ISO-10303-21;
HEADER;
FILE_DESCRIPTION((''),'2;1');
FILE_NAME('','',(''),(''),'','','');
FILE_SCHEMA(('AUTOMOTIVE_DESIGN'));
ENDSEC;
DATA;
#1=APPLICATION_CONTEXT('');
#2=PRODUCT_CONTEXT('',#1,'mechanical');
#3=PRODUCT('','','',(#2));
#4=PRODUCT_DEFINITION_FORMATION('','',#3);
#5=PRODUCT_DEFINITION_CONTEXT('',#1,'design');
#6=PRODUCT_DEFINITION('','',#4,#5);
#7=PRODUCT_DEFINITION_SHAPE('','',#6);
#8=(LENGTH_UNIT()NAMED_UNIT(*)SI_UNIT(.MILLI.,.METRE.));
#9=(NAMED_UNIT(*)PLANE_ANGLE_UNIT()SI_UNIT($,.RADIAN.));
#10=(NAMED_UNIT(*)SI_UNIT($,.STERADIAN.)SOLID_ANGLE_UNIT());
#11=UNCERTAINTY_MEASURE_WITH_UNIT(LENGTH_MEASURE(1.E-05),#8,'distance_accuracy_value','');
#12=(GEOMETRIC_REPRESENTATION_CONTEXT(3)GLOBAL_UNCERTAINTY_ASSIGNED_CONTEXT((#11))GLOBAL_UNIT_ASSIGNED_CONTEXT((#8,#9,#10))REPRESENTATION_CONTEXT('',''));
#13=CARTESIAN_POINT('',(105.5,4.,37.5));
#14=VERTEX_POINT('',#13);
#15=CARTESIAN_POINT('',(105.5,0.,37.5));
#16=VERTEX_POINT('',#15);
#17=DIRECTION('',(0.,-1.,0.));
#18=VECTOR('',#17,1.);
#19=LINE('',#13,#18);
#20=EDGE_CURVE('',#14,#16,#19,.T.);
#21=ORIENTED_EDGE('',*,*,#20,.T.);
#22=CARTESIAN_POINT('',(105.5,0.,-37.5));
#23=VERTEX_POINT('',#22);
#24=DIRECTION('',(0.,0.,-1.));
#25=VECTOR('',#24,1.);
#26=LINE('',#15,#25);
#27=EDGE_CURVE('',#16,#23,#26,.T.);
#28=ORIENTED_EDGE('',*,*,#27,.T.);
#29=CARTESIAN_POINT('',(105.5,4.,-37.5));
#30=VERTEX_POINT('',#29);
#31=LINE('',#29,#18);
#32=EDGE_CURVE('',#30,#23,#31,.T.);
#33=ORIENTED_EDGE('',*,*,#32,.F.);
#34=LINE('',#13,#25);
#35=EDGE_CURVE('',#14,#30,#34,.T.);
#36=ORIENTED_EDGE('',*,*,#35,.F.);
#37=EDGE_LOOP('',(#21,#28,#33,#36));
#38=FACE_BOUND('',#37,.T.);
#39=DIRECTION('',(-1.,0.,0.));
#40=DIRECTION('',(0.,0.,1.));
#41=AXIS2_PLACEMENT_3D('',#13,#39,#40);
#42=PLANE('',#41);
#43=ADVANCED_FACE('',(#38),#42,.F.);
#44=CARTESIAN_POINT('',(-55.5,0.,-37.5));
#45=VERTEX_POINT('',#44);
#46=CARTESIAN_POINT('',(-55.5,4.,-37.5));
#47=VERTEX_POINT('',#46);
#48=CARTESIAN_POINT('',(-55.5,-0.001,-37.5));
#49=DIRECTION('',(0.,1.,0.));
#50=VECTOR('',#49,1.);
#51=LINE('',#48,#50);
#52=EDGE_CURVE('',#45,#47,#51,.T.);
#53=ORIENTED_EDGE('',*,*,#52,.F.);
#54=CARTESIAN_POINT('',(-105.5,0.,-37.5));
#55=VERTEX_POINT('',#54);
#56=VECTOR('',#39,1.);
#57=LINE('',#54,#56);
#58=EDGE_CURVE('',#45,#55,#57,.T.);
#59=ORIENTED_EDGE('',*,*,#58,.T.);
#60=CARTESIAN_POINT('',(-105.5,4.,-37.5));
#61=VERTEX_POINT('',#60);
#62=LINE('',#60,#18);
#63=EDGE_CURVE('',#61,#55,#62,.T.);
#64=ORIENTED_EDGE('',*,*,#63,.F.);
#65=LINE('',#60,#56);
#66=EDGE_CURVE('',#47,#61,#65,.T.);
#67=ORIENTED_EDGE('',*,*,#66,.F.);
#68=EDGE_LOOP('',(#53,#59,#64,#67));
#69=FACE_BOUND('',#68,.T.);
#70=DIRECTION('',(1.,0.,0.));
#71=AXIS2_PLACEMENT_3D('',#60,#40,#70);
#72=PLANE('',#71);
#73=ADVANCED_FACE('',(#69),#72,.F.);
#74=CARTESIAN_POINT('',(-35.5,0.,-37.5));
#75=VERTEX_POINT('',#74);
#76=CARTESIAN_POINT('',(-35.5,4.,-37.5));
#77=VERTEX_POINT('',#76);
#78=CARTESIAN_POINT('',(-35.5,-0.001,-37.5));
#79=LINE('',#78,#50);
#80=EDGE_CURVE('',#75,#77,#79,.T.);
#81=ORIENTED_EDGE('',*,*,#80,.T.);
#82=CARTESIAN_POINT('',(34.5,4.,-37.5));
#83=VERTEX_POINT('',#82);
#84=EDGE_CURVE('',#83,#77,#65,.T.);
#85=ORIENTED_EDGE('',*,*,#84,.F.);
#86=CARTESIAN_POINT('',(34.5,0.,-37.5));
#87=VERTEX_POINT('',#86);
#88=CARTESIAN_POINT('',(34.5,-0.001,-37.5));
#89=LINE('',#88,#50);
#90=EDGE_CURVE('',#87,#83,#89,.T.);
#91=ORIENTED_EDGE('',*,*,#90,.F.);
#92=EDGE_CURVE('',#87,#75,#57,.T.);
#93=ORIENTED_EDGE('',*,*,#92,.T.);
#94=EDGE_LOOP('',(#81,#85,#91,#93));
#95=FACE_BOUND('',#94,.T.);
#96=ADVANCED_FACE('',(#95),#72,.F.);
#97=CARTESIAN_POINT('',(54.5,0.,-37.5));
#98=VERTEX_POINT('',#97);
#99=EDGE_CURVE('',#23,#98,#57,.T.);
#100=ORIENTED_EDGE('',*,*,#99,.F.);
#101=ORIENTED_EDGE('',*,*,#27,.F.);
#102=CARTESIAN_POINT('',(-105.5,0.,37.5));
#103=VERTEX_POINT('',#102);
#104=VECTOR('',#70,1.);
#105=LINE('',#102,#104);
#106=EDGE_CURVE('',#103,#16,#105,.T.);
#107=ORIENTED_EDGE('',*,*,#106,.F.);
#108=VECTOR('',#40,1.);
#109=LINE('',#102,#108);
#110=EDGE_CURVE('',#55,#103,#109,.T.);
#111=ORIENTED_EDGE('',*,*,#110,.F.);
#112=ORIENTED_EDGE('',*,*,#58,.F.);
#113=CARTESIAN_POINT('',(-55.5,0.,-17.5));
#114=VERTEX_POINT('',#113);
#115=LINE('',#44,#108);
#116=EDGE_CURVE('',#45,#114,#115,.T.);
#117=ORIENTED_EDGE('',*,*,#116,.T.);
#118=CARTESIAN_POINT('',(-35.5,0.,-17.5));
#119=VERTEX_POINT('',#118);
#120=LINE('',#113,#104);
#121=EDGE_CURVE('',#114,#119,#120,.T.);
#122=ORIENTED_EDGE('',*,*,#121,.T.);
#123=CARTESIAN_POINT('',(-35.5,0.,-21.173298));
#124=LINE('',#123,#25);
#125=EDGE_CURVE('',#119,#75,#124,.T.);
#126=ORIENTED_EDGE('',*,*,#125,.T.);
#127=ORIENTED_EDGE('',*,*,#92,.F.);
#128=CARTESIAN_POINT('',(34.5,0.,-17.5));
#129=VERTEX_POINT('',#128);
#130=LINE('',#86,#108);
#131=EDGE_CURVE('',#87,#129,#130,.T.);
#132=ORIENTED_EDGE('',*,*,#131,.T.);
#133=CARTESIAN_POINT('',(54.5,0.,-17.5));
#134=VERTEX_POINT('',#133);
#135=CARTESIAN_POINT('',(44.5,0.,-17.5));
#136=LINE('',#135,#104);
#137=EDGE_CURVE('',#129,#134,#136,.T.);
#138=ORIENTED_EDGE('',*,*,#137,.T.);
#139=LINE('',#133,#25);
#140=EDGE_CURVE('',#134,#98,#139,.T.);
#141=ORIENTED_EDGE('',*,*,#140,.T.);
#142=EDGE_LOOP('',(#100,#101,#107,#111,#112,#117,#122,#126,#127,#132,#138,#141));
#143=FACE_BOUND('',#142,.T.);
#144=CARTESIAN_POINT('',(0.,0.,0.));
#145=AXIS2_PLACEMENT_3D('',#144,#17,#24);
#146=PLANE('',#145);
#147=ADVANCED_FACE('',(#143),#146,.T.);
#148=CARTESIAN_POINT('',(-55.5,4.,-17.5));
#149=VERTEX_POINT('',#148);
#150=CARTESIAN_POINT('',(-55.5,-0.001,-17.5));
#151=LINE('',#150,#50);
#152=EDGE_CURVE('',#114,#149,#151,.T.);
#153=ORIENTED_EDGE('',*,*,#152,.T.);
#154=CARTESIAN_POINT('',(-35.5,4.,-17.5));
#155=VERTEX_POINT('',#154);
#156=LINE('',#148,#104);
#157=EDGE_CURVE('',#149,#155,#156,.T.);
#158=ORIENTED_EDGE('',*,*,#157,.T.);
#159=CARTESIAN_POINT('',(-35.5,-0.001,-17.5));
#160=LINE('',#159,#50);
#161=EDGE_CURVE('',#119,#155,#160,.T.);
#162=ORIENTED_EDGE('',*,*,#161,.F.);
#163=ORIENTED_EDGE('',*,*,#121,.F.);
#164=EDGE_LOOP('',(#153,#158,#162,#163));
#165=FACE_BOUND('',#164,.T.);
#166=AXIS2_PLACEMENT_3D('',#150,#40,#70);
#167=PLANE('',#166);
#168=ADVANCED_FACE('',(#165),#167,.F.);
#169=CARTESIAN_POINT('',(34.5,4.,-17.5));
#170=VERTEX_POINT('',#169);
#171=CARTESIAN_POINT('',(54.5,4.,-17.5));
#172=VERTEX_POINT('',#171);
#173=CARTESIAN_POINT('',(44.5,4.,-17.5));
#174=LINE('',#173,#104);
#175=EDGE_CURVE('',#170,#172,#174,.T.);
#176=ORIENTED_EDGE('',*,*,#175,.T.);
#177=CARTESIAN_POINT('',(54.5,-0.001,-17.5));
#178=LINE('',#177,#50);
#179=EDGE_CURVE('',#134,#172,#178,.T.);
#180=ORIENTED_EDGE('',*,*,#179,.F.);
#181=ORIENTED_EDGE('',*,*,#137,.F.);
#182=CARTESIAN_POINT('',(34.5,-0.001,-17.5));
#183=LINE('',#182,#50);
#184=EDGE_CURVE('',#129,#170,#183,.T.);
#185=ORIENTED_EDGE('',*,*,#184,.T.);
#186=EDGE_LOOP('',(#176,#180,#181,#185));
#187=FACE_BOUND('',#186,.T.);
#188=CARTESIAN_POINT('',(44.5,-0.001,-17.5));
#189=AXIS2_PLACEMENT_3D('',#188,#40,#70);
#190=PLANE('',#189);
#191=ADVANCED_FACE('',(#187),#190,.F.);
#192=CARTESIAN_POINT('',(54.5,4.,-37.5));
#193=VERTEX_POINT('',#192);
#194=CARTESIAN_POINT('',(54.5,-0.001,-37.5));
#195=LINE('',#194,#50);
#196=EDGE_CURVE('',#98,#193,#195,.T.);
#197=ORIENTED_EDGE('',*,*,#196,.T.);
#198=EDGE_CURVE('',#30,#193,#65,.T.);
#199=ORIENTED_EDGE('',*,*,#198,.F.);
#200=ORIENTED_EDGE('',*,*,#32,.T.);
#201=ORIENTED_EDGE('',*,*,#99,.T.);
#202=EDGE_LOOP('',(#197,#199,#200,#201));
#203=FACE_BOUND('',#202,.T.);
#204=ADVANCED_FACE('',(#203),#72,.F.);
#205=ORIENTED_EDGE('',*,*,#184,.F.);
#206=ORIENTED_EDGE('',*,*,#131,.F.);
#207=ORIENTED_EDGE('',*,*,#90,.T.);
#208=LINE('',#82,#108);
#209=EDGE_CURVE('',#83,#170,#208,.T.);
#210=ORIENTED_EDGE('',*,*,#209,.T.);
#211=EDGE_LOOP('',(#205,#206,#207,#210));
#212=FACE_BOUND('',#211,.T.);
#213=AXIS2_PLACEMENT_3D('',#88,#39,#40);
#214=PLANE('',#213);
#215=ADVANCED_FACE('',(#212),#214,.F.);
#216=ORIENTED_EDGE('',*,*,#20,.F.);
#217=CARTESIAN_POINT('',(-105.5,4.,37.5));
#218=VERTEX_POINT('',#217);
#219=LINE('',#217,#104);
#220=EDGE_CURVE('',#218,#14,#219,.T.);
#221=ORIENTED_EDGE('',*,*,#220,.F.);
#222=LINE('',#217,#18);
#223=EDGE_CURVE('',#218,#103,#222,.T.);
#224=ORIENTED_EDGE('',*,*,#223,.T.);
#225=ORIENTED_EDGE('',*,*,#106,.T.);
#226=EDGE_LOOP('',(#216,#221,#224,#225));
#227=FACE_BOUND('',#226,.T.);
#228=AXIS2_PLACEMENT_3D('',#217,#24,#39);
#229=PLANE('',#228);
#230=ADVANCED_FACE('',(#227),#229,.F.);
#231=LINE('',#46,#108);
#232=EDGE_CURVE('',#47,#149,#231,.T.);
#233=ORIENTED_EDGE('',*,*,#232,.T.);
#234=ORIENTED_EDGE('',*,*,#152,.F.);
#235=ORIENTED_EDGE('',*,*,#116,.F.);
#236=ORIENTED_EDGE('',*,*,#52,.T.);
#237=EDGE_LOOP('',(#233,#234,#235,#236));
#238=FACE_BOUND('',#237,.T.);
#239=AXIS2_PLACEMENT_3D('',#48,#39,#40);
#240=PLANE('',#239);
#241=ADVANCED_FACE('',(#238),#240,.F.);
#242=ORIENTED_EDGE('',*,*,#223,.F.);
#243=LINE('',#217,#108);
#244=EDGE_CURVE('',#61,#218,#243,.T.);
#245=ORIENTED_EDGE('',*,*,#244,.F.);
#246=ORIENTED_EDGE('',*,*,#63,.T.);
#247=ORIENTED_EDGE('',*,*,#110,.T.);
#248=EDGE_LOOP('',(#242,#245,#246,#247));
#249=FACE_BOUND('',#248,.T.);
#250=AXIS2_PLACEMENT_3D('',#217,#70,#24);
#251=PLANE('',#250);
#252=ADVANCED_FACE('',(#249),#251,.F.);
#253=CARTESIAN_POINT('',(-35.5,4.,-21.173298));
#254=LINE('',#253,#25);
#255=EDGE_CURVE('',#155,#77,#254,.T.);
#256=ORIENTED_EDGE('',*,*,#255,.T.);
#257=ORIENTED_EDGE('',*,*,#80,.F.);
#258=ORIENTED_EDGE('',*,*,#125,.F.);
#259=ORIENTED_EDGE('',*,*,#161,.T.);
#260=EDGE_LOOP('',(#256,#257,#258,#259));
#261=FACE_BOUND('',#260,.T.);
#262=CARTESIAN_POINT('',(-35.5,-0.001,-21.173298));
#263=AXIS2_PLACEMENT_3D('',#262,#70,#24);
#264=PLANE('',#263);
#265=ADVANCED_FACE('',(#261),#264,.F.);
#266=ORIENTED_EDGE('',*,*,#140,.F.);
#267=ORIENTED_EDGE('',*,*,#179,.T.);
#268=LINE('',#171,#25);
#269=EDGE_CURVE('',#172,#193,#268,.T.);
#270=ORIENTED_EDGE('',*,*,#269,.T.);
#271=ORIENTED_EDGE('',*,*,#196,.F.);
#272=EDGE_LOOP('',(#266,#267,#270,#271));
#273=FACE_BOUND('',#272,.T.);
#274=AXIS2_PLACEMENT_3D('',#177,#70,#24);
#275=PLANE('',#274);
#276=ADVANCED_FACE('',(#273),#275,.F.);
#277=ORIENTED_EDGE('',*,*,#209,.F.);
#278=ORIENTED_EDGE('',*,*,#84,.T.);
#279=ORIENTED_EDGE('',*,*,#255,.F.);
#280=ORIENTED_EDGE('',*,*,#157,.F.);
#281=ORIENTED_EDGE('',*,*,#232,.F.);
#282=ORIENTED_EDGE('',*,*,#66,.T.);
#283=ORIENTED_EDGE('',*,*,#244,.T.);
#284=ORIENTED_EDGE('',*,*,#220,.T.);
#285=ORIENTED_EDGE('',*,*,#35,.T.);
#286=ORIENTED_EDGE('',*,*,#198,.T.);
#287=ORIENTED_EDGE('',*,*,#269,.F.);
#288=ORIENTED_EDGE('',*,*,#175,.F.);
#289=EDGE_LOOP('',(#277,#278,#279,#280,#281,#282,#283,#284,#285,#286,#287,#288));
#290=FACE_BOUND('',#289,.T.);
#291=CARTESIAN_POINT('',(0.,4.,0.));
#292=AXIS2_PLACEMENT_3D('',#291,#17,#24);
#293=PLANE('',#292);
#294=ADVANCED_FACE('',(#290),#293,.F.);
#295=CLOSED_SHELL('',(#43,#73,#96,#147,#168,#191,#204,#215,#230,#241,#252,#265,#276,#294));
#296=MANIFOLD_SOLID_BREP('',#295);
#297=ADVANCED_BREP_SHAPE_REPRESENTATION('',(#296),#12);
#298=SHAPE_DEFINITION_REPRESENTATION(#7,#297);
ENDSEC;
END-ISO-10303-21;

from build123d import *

# Parameters (mm, degrees)
SKETCH1_W           = 211
SKETCH1_H           = 75
BOSS_EXTRUDE1_DEPTH = 4
CUT_EXTRUDE2_REACH  = 114.038
CUT_EXTRUDE3_REACH  = 114.038


with BuildPart() as part:
    # Sketch1 → Boss-Extrude1 (new body)
    with BuildSketch(Plane(origin=(0, 0, 0), x_dir=(1, 0, 0), z_dir=(0, 1, 0))):
        Rectangle(SKETCH1_W, SKETCH1_H)
    extrude(amount=BOSS_EXTRUDE1_DEPTH)

    # Sketch3 → Cut-Extrude2 (cut, up to next)
    with BuildSketch(Plane(origin=(0, 4, 0), x_dir=(1, 0, 0), z_dir=(0, 1, 0)), mode=Mode.PRIVATE) as cut_extrude2_sk1:
        Polygon((-55.5, 37.5), (-55.5, 17.5), (-35.5, 17.5), (-35.5, 21.173298158), (-35.5, 37.5), align=None)
    cut_extrude2_tool1 = extrude(cut_extrude2_sk1.sketch, amount=-CUT_EXTRUDE2_REACH, mode=Mode.PRIVATE) & part.part
    add(cut_extrude2_tool1.solids().sort_by_distance((-45.5, 4, -27.5))[0], mode=Mode.SUBTRACT)

    # Sketch5 → Cut-Extrude3 (cut, up to next)
    with BuildSketch(Plane(origin=(0, 4, 0), x_dir=(1, 0, 0), z_dir=(0, 1, 0)), mode=Mode.PRIVATE) as cut_extrude3_sk1:
        Polygon((44.5, 17.5), (54.5, 17.5), (54.5, 37.5), (34.5, 37.5), (34.5, 17.5), align=None)
    cut_extrude3_tool1 = extrude(cut_extrude3_sk1.sketch, amount=-CUT_EXTRUDE3_REACH, mode=Mode.PRIVATE) & part.part
    add(cut_extrude3_tool1.solids().sort_by_distance((44.5, 4, -27.5))[0], mode=Mode.SUBTRACT)


solid = part.part
